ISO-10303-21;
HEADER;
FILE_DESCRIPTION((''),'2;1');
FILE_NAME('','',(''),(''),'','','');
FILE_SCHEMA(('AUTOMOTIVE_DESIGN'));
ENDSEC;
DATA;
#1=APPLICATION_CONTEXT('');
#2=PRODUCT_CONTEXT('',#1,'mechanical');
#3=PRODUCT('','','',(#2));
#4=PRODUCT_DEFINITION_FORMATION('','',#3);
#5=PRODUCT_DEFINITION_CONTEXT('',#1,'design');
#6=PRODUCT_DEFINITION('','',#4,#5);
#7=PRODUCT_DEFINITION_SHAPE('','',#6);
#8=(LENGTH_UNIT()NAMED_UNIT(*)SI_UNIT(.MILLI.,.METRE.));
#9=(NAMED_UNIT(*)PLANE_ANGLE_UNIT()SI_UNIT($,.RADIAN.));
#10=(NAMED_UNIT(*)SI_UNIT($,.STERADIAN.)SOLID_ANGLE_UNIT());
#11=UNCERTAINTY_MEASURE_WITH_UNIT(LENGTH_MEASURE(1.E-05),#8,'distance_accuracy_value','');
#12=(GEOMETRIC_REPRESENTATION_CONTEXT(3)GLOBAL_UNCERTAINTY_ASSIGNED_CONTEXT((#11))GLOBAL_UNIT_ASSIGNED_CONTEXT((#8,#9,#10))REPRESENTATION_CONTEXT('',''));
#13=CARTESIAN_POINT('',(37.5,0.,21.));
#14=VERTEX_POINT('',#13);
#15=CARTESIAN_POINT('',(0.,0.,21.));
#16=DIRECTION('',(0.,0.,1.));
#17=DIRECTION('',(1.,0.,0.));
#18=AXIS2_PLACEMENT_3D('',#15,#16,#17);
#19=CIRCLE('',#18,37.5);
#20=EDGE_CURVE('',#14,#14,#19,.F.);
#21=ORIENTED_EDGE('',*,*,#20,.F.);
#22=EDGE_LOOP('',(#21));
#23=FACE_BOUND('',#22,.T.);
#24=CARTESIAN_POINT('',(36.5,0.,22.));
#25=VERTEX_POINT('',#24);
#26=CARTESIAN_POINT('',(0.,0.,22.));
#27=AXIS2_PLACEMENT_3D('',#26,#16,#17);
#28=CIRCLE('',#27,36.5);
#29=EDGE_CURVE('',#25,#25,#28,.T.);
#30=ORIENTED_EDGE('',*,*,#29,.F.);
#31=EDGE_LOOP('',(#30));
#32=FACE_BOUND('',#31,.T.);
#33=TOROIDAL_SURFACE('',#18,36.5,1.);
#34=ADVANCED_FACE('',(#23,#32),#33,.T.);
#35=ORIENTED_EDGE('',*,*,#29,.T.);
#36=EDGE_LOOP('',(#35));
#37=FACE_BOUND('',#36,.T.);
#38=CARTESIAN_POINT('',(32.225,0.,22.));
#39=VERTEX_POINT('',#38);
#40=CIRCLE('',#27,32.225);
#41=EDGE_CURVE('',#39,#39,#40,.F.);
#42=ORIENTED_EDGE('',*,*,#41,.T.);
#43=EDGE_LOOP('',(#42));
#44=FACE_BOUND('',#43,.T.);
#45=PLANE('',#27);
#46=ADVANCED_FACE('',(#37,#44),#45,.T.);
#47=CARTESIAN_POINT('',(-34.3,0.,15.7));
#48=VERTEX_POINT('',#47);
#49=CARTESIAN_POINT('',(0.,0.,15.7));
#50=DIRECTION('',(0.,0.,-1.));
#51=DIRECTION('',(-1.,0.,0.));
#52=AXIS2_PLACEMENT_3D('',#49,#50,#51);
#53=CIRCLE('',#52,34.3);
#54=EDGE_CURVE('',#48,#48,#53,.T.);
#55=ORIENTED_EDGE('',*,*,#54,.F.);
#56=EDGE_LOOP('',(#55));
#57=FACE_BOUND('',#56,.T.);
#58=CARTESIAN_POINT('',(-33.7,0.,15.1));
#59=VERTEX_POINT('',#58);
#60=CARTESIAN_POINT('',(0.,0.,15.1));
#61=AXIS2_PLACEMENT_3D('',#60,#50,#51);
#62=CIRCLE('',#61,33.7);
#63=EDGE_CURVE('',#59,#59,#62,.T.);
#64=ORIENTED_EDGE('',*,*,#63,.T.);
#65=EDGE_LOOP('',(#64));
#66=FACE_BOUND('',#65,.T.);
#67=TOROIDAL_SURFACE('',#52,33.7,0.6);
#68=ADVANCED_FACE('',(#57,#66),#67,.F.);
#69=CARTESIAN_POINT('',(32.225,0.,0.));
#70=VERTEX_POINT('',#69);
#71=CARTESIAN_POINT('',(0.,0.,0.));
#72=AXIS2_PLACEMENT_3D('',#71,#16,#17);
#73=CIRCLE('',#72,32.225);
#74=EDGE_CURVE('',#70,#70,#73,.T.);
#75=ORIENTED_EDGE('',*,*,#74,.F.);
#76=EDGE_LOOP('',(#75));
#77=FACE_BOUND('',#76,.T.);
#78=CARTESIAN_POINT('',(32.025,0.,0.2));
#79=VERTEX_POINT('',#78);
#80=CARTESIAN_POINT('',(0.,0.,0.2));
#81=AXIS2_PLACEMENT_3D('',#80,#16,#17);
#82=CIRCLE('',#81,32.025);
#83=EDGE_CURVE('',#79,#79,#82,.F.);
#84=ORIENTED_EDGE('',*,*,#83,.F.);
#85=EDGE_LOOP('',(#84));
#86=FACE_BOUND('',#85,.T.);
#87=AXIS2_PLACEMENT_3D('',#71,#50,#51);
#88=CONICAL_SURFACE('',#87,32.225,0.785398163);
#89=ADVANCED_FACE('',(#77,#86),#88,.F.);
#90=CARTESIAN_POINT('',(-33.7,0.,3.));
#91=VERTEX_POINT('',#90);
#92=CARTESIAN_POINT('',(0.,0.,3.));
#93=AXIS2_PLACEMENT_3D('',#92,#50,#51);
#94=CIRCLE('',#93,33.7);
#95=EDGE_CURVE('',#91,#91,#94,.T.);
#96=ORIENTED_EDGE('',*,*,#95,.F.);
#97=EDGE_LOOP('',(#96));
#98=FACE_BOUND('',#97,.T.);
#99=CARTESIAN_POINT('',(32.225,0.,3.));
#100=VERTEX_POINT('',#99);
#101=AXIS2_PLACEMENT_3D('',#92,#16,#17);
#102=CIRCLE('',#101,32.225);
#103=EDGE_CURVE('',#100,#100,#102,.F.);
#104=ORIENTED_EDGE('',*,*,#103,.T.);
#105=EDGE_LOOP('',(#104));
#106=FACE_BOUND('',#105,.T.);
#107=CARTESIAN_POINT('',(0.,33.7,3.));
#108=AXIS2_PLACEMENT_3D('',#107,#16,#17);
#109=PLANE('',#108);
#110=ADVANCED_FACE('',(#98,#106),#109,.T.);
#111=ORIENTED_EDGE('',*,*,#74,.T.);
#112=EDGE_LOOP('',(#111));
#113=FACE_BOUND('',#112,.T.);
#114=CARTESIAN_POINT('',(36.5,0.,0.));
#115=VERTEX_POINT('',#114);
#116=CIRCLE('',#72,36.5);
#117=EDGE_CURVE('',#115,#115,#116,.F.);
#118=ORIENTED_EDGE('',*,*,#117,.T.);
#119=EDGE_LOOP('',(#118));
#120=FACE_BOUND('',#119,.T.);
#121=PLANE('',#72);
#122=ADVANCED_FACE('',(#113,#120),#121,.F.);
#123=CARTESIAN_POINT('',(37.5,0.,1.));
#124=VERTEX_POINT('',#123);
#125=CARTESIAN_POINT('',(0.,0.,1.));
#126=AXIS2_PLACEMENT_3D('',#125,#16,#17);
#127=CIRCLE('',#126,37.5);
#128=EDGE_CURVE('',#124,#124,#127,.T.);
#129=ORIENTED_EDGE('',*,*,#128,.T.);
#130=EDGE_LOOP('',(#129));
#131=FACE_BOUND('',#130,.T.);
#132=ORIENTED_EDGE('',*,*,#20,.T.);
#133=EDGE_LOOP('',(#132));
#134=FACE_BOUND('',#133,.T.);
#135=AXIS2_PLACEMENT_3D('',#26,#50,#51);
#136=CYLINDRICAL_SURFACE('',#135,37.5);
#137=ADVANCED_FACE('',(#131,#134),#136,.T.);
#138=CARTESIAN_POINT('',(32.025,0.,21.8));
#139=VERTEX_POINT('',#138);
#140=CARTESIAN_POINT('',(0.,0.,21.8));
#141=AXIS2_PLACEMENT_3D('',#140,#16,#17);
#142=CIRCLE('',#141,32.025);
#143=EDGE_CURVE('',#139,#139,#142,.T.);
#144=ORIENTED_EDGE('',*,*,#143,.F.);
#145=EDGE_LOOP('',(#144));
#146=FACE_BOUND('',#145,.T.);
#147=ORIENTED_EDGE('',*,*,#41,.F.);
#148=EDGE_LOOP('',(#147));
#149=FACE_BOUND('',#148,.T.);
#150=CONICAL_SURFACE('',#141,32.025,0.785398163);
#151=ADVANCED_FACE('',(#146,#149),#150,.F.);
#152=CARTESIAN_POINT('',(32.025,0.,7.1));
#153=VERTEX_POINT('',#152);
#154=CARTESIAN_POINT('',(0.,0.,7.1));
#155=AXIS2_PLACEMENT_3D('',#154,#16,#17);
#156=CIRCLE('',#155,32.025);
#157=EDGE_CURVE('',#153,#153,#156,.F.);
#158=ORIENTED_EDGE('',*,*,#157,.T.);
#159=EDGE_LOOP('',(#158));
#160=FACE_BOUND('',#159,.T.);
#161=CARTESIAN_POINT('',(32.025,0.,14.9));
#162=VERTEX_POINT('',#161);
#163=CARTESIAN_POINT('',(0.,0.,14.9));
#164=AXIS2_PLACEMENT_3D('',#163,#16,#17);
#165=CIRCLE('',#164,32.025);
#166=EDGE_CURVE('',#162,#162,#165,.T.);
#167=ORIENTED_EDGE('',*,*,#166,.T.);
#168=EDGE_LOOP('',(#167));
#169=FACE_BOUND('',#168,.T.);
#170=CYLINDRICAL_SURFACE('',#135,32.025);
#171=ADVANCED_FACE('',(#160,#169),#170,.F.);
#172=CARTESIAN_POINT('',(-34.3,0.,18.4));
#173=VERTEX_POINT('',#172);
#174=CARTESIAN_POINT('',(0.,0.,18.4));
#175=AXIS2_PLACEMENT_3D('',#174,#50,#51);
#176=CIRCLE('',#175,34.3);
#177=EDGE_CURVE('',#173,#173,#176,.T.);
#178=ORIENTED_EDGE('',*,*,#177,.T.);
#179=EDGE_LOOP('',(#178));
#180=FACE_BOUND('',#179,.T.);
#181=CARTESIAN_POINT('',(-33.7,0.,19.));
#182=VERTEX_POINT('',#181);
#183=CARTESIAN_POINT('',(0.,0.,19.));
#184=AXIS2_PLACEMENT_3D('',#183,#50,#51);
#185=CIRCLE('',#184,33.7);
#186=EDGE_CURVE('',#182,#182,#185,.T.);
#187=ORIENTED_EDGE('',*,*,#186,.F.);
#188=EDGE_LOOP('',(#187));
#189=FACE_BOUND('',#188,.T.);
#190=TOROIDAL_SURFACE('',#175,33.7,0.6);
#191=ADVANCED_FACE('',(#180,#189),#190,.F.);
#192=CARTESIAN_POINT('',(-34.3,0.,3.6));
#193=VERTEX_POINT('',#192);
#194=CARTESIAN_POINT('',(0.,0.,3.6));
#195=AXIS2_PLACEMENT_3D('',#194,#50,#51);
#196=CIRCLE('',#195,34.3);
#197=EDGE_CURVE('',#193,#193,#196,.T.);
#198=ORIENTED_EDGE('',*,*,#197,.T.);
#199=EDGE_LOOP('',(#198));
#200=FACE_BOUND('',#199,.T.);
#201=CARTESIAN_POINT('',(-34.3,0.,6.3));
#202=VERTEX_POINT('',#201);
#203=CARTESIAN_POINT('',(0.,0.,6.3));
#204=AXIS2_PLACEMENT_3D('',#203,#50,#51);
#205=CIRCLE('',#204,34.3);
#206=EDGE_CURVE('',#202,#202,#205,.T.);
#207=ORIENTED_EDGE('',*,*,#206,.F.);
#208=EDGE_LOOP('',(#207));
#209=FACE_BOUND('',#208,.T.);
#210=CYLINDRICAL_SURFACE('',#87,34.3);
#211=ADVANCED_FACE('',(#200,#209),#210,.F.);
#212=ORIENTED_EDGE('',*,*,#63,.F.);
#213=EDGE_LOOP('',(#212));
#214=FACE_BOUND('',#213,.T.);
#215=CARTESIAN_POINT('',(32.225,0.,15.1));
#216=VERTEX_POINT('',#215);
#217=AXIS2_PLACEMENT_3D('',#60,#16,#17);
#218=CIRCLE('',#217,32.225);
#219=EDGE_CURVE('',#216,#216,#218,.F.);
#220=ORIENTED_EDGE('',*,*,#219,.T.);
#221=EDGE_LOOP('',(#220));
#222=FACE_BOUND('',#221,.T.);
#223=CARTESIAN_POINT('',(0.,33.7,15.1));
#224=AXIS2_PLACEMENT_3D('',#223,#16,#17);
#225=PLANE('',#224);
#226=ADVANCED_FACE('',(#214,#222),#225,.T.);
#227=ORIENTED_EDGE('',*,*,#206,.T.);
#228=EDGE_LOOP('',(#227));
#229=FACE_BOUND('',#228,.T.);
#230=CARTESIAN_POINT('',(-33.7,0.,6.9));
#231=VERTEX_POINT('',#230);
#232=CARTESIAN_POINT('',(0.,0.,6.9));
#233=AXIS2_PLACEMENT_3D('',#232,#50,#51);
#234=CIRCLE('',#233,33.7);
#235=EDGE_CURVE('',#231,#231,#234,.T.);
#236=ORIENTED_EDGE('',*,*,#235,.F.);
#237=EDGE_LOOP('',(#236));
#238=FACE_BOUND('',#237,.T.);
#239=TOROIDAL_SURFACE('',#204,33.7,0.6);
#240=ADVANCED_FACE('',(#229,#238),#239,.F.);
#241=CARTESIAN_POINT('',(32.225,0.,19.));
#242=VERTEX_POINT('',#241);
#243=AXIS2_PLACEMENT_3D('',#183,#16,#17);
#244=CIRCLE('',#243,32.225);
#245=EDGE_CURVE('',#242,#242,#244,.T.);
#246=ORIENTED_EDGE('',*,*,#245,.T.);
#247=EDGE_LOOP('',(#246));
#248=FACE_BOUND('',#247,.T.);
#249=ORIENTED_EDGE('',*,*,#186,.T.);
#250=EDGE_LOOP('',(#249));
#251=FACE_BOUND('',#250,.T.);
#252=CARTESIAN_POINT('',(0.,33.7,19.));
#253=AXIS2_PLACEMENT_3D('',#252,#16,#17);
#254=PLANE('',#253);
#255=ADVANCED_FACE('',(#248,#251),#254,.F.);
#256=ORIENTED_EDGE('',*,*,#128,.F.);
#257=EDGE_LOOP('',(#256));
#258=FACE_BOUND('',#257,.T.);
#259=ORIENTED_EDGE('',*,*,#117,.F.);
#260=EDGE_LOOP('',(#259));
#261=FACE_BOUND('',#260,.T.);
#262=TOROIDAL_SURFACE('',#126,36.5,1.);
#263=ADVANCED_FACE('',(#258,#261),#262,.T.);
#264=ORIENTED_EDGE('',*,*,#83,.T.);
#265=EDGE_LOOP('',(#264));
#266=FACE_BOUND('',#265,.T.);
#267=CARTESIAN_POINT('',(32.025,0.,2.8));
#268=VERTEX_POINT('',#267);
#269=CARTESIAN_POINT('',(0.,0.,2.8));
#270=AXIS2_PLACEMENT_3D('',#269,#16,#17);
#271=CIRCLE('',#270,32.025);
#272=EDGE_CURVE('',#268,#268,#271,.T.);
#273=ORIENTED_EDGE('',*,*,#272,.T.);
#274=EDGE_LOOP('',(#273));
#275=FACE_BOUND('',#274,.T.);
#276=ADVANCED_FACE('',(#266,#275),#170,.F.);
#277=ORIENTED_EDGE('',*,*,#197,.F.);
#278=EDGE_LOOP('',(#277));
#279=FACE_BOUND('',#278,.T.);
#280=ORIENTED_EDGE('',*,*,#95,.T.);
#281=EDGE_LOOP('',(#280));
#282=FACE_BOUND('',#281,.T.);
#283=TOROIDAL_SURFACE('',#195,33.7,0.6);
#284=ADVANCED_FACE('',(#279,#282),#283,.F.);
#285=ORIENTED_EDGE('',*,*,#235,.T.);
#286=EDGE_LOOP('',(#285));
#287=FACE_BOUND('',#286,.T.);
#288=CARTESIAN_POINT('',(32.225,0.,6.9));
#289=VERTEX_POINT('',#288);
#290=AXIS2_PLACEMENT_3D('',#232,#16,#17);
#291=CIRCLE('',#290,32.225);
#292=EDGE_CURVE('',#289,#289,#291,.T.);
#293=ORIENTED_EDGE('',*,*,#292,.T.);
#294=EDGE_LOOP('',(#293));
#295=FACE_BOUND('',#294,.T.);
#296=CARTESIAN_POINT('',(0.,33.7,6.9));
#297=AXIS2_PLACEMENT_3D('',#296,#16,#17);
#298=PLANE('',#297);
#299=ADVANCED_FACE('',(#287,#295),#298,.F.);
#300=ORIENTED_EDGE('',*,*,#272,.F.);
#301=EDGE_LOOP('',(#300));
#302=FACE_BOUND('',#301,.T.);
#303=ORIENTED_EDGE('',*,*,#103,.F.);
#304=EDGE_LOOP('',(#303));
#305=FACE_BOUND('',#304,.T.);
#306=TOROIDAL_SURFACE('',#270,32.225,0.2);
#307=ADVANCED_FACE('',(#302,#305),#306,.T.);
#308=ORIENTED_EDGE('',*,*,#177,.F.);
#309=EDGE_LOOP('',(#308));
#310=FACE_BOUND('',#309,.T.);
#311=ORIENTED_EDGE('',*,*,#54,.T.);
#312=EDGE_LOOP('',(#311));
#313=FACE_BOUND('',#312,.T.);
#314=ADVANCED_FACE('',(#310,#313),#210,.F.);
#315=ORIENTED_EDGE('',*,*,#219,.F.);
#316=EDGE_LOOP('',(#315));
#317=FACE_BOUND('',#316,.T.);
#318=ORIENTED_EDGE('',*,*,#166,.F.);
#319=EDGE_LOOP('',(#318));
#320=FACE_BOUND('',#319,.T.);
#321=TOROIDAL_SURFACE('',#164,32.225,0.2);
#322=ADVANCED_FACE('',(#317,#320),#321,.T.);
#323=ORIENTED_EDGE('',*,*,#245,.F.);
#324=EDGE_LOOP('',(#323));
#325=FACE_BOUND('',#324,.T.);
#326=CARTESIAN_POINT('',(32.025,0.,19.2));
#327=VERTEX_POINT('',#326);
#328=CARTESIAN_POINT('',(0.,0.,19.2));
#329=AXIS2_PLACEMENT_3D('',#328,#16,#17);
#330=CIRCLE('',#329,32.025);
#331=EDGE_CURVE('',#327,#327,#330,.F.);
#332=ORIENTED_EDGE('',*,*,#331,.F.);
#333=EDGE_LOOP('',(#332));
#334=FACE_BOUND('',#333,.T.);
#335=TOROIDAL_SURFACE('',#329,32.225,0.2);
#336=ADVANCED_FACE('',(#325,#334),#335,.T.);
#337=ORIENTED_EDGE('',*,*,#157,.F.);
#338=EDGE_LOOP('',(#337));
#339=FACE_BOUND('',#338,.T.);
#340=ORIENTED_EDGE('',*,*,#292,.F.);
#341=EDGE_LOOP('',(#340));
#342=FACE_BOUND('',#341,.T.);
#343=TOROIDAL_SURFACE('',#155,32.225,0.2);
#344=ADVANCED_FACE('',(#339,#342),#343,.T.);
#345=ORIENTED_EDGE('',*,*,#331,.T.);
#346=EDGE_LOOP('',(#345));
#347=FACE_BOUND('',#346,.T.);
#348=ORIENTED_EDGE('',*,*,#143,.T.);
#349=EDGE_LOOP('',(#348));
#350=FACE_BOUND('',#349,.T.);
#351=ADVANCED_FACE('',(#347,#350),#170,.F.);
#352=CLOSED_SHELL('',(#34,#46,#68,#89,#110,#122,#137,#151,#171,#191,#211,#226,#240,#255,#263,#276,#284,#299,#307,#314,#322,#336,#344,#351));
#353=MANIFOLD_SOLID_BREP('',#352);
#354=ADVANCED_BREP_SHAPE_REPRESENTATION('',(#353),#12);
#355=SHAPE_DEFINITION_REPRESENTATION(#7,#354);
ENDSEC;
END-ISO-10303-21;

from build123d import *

# Parameters (mm, degrees)
SKIZZE1_R               = 37.5
SKIZZE1_R_2             = 32.025
LINEAR_AUSTRAGEN1_DEPTH = 22
VERRUNDUNG1_R           = 1
VERRUNDUNG2_R           = 0.2
FASE1_SIZE              = 0.2


with BuildPart() as part:
    # Skizze1 → Linear austragen1 (new body)
    with BuildSketch(Plane.XY):
        Circle(SKIZZE1_R)
        Circle(SKIZZE1_R_2, mode=Mode.SUBTRACT)
    extrude(amount=LINEAR_AUSTRAGEN1_DEPTH)

    # Verrundung1
    verrundung1_edges = [part.edges().sort_by_distance(p)[0] for p in [
        (-37.5, 0, 0),
        (-37.5, 0, 22),
    ]]
    fillet(verrundung1_edges, radius=VERRUNDUNG1_R)

    # Skizze2 → Schnitt-Rotation1 (revolve, cut)
    with BuildSketch(Plane(origin=(0, 0, 0), x_dir=(0, 0, -1), z_dir=(1, 0, 0)), mode=Mode.PRIVATE) as schnitt_rotation1_sk:
        with BuildLine():
            Line((-6.3, 34.3), (-3.6, 34.3))
            ThreePointArc((-3.6, 34.3), (-3.175735931, 34.124264069), (-3, 33.7))
            Line((-3, 33.7), (-3, 0))
            Line((-3, 0), (-6.9, 0))
            Line((-6.9, 0), (-6.9, 33.7))
            ThreePointArc((-6.9, 33.7), (-6.724264069, 34.124264069), (-6.3, 34.3))
        make_face()
        with BuildLine():
            Line((-18.4, 34.3), (-15.7, 34.3))
            ThreePointArc((-15.7, 34.3), (-15.275735931, 34.124264069), (-15.1, 33.7))
            Line((-15.1, 33.7), (-15.1, 0))
            Line((-15.1, 0), (-19, 0))
            Line((-19, 0), (-19, 33.7))
            ThreePointArc((-19, 33.7), (-18.824264069, 34.124264069), (-18.4, 34.3))
        make_face()
    revolve(schnitt_rotation1_sk.sketch.rotate(Axis((0, 0, 0), (0, 0, 1)), 90), axis=Axis((0, 0, 0), (0, 0, 1)), mode=Mode.SUBTRACT)

    # Verrundung2
    verrundung2_edges = [part.edges().sort_by_distance(p)[0] for p in [
        (-32.025, 0, 19),
        (-32.025, 0, 15.1),
        (-32.025, 0, 6.9),
        (-32.025, 0, 3),
    ]]
    fillet(verrundung2_edges, radius=VERRUNDUNG2_R)

    # Fase1
    fase1_edges = [part.edges().sort_by_distance(p)[0] for p in [
        (-32.025, 0, 0),
        (-32.025, 0, 22),
    ]]
    chamfer(fase1_edges, length=FASE1_SIZE)


solid = part.part
